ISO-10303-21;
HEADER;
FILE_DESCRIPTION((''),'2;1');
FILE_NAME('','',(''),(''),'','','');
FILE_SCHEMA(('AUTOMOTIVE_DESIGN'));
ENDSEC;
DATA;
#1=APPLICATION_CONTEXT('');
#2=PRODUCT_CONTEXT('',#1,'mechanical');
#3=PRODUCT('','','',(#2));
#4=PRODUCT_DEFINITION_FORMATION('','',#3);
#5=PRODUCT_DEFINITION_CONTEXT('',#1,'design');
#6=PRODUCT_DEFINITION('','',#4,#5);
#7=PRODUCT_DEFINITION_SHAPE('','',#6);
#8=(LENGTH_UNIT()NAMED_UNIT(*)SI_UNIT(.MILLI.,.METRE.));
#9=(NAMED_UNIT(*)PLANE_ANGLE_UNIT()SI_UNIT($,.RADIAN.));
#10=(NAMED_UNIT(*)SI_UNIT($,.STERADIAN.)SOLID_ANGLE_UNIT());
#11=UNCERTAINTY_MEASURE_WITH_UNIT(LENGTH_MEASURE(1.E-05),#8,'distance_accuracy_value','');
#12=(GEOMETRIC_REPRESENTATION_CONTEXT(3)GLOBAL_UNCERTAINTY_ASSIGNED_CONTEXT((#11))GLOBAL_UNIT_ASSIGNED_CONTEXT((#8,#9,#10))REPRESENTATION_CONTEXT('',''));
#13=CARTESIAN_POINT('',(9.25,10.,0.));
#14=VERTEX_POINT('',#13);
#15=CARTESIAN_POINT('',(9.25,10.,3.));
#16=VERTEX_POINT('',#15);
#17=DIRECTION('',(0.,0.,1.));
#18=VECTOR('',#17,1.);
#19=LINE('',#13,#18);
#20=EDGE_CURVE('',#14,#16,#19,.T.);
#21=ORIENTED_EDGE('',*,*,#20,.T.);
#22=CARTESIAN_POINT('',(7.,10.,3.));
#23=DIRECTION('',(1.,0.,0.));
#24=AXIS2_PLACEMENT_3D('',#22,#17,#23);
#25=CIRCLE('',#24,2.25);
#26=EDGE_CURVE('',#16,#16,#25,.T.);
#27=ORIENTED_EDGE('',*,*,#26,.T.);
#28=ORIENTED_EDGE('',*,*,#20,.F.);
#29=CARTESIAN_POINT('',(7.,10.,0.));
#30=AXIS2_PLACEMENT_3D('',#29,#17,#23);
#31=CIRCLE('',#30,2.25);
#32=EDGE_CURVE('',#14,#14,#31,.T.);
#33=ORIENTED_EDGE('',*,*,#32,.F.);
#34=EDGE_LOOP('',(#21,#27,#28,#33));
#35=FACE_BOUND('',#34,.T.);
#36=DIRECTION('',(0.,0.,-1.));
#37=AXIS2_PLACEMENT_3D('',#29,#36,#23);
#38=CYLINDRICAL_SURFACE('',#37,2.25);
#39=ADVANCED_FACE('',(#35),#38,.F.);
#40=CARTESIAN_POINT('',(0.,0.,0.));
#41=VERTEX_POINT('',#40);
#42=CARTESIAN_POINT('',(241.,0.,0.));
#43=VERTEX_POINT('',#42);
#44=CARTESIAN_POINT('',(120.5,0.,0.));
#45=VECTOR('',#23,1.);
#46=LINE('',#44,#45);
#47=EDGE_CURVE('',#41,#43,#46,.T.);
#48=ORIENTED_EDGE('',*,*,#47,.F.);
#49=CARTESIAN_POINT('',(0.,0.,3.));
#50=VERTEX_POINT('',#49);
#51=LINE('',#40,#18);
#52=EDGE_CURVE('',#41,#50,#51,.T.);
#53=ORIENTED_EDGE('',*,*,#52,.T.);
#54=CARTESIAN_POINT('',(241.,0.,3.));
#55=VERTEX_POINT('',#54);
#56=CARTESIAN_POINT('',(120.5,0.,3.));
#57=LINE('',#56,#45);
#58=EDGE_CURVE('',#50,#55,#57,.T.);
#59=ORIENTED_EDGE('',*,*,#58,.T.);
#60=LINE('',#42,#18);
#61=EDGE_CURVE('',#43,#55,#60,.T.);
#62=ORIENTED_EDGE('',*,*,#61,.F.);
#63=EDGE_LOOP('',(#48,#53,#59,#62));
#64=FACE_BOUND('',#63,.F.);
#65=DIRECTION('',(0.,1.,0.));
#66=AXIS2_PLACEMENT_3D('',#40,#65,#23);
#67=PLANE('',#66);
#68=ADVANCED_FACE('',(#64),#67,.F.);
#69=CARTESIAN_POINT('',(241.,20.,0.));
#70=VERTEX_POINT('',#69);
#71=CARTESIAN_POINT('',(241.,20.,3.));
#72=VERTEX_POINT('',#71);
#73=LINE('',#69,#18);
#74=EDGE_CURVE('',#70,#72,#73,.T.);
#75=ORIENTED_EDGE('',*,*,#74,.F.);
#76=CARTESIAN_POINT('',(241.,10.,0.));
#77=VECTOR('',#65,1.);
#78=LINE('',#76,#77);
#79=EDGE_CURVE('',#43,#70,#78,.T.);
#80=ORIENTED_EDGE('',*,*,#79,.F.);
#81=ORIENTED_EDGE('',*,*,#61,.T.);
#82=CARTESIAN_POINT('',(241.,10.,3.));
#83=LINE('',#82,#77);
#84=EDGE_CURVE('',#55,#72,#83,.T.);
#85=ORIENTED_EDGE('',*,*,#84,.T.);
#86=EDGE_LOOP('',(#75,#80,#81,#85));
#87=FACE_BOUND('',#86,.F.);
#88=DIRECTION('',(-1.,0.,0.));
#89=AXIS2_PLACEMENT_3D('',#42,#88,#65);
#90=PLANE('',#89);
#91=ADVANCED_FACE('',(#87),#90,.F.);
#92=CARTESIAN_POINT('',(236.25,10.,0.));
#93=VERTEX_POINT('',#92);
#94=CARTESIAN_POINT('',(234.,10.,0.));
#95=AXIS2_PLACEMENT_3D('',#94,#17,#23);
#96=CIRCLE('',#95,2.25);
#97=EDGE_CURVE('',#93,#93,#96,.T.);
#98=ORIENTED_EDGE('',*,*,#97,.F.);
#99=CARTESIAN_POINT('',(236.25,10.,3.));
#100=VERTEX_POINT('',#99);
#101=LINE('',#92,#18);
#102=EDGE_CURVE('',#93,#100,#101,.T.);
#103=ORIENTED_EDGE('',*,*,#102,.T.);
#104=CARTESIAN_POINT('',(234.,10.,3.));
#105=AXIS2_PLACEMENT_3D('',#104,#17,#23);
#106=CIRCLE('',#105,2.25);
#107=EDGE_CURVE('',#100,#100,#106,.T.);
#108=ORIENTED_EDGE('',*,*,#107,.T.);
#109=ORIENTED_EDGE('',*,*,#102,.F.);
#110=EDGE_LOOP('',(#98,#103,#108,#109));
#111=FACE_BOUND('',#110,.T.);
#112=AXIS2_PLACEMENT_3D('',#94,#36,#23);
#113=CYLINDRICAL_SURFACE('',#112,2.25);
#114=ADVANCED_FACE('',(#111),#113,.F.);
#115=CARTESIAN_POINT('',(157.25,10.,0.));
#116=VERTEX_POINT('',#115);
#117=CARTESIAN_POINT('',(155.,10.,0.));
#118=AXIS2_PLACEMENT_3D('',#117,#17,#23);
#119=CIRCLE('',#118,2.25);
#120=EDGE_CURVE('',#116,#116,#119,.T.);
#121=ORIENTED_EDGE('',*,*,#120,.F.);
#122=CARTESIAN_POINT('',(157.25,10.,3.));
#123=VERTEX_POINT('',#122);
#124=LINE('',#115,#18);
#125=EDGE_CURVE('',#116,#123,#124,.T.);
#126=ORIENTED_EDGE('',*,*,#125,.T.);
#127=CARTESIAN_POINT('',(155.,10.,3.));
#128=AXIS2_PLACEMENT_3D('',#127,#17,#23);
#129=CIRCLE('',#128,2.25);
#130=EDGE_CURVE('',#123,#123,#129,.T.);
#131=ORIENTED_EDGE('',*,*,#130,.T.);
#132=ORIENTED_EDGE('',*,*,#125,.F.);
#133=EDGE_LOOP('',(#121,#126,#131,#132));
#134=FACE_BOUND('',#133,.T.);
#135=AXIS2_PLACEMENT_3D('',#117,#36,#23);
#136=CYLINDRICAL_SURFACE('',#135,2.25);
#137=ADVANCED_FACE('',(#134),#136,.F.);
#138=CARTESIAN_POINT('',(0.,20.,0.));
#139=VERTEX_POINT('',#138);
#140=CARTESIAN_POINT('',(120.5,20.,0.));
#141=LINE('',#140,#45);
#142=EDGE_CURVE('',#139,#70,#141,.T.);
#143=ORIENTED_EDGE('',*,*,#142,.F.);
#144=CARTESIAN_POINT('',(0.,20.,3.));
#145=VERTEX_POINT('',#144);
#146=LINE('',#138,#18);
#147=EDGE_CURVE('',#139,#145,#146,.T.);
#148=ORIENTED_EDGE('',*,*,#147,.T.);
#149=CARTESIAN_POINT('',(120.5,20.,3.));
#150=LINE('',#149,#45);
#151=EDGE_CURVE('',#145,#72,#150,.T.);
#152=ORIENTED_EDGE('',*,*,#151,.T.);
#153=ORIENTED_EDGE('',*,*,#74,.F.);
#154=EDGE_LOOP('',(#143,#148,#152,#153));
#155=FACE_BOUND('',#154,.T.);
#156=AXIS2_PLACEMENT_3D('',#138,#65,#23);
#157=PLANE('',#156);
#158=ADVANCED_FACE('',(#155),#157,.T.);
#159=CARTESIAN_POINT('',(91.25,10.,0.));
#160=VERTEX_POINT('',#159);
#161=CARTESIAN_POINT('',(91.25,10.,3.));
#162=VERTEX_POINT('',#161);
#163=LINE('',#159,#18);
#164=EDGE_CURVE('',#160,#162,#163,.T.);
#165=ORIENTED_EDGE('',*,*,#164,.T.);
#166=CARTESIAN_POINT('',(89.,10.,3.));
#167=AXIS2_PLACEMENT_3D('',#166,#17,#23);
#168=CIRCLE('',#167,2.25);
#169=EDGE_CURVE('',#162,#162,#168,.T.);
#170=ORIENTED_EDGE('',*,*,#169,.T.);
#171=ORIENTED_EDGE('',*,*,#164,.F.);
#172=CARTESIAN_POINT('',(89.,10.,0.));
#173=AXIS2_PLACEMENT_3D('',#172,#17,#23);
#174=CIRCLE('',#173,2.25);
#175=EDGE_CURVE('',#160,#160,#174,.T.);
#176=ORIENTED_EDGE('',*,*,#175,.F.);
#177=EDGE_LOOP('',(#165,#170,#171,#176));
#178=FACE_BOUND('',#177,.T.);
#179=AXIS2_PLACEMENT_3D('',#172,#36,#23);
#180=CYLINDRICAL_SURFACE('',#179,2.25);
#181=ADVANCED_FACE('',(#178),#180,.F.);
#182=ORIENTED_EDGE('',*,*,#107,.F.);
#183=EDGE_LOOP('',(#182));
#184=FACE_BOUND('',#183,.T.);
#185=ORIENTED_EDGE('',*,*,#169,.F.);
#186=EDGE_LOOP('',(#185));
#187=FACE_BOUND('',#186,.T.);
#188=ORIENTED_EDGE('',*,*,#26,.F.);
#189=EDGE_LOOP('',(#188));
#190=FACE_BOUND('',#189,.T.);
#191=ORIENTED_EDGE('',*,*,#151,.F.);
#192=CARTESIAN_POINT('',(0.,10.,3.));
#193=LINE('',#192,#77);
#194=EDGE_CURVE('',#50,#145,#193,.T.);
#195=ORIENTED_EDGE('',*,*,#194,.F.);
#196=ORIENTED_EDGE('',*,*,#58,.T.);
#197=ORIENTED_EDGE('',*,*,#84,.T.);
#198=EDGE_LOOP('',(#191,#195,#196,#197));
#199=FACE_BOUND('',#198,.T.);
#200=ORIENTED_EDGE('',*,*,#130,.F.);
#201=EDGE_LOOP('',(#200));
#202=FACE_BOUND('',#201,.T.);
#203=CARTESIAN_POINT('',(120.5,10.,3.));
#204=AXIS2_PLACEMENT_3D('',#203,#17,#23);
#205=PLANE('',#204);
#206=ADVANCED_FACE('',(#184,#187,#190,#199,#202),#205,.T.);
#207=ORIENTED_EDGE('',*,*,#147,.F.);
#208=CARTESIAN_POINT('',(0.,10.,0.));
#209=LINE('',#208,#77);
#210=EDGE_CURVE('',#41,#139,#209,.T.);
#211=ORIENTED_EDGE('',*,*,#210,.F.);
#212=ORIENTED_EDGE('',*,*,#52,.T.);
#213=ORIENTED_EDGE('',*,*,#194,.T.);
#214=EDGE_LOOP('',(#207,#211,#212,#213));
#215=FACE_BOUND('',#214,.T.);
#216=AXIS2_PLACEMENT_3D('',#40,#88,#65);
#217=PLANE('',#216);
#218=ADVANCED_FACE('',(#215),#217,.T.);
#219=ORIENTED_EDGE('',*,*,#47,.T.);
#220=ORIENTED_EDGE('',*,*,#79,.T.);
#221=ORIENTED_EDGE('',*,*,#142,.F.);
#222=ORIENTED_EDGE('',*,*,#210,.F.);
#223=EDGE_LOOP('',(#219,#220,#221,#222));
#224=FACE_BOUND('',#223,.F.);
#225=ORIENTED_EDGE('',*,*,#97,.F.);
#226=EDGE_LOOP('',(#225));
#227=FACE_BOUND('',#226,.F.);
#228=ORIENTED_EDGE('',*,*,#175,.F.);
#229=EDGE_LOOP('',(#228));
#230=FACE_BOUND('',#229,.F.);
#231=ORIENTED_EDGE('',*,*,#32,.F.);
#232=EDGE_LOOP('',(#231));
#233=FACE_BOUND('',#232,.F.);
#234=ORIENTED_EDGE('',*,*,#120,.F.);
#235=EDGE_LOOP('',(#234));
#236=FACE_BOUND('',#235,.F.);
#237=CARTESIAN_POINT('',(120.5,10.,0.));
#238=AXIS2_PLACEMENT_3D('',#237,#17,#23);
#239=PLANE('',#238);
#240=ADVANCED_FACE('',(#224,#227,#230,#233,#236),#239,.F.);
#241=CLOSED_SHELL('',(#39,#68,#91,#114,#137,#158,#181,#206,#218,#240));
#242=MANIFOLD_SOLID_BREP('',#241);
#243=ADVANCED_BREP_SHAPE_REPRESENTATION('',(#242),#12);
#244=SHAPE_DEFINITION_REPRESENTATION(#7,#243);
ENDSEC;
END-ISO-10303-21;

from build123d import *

# Parameters (mm, degrees)
BOX_W             = 241
BOX_H             = 20
BOX_DEPTH         = 3
CYLINDER_R        = 2.25
CYLINDER_DEPTH    = 3
CYLINDER001_R     = 2.25
CYLINDER001_DEPTH = 3
CYLINDER002_R     = 2.25
CYLINDER002_DEPTH = 3
CYLINDER003_R     = 2.25
CYLINDER003_DEPTH = 3


with BuildPart() as part:
    # Box → Box (join)
    with BuildSketch(Plane.XY):
        with Locations((120.5, 10)):
            Rectangle(BOX_W, BOX_H)
    extrude(amount=BOX_DEPTH)

    # Cylinder → Cylinder (cut)
    with BuildSketch(Plane(origin=(7, 10, 0), x_dir=(1, 0, 0), z_dir=(0, 0, 1))):
        Circle(CYLINDER_R)
    extrude(amount=CYLINDER_DEPTH, mode=Mode.SUBTRACT)

    # Cylinder001 → Cylinder001 (cut)
    with BuildSketch(Plane(origin=(234, 10, 0), x_dir=(1, 0, 0), z_dir=(0, 0, 1))):
        Circle(CYLINDER001_R)
    extrude(amount=CYLINDER001_DEPTH, mode=Mode.SUBTRACT)

    # Cylinder002 → Cylinder002 (cut)
    with BuildSketch(Plane(origin=(89, 10, 0), x_dir=(1, 0, 0), z_dir=(0, 0, 1))):
        Circle(CYLINDER002_R)
    extrude(amount=CYLINDER002_DEPTH, mode=Mode.SUBTRACT)

    # Cylinder003 → Cylinder003 (cut)
    with BuildSketch(Plane(origin=(155, 10, 0), x_dir=(1, 0, 0), z_dir=(0, 0, 1))):
        Circle(CYLINDER003_R)
    extrude(amount=CYLINDER003_DEPTH, mode=Mode.SUBTRACT)


solid = part.part
